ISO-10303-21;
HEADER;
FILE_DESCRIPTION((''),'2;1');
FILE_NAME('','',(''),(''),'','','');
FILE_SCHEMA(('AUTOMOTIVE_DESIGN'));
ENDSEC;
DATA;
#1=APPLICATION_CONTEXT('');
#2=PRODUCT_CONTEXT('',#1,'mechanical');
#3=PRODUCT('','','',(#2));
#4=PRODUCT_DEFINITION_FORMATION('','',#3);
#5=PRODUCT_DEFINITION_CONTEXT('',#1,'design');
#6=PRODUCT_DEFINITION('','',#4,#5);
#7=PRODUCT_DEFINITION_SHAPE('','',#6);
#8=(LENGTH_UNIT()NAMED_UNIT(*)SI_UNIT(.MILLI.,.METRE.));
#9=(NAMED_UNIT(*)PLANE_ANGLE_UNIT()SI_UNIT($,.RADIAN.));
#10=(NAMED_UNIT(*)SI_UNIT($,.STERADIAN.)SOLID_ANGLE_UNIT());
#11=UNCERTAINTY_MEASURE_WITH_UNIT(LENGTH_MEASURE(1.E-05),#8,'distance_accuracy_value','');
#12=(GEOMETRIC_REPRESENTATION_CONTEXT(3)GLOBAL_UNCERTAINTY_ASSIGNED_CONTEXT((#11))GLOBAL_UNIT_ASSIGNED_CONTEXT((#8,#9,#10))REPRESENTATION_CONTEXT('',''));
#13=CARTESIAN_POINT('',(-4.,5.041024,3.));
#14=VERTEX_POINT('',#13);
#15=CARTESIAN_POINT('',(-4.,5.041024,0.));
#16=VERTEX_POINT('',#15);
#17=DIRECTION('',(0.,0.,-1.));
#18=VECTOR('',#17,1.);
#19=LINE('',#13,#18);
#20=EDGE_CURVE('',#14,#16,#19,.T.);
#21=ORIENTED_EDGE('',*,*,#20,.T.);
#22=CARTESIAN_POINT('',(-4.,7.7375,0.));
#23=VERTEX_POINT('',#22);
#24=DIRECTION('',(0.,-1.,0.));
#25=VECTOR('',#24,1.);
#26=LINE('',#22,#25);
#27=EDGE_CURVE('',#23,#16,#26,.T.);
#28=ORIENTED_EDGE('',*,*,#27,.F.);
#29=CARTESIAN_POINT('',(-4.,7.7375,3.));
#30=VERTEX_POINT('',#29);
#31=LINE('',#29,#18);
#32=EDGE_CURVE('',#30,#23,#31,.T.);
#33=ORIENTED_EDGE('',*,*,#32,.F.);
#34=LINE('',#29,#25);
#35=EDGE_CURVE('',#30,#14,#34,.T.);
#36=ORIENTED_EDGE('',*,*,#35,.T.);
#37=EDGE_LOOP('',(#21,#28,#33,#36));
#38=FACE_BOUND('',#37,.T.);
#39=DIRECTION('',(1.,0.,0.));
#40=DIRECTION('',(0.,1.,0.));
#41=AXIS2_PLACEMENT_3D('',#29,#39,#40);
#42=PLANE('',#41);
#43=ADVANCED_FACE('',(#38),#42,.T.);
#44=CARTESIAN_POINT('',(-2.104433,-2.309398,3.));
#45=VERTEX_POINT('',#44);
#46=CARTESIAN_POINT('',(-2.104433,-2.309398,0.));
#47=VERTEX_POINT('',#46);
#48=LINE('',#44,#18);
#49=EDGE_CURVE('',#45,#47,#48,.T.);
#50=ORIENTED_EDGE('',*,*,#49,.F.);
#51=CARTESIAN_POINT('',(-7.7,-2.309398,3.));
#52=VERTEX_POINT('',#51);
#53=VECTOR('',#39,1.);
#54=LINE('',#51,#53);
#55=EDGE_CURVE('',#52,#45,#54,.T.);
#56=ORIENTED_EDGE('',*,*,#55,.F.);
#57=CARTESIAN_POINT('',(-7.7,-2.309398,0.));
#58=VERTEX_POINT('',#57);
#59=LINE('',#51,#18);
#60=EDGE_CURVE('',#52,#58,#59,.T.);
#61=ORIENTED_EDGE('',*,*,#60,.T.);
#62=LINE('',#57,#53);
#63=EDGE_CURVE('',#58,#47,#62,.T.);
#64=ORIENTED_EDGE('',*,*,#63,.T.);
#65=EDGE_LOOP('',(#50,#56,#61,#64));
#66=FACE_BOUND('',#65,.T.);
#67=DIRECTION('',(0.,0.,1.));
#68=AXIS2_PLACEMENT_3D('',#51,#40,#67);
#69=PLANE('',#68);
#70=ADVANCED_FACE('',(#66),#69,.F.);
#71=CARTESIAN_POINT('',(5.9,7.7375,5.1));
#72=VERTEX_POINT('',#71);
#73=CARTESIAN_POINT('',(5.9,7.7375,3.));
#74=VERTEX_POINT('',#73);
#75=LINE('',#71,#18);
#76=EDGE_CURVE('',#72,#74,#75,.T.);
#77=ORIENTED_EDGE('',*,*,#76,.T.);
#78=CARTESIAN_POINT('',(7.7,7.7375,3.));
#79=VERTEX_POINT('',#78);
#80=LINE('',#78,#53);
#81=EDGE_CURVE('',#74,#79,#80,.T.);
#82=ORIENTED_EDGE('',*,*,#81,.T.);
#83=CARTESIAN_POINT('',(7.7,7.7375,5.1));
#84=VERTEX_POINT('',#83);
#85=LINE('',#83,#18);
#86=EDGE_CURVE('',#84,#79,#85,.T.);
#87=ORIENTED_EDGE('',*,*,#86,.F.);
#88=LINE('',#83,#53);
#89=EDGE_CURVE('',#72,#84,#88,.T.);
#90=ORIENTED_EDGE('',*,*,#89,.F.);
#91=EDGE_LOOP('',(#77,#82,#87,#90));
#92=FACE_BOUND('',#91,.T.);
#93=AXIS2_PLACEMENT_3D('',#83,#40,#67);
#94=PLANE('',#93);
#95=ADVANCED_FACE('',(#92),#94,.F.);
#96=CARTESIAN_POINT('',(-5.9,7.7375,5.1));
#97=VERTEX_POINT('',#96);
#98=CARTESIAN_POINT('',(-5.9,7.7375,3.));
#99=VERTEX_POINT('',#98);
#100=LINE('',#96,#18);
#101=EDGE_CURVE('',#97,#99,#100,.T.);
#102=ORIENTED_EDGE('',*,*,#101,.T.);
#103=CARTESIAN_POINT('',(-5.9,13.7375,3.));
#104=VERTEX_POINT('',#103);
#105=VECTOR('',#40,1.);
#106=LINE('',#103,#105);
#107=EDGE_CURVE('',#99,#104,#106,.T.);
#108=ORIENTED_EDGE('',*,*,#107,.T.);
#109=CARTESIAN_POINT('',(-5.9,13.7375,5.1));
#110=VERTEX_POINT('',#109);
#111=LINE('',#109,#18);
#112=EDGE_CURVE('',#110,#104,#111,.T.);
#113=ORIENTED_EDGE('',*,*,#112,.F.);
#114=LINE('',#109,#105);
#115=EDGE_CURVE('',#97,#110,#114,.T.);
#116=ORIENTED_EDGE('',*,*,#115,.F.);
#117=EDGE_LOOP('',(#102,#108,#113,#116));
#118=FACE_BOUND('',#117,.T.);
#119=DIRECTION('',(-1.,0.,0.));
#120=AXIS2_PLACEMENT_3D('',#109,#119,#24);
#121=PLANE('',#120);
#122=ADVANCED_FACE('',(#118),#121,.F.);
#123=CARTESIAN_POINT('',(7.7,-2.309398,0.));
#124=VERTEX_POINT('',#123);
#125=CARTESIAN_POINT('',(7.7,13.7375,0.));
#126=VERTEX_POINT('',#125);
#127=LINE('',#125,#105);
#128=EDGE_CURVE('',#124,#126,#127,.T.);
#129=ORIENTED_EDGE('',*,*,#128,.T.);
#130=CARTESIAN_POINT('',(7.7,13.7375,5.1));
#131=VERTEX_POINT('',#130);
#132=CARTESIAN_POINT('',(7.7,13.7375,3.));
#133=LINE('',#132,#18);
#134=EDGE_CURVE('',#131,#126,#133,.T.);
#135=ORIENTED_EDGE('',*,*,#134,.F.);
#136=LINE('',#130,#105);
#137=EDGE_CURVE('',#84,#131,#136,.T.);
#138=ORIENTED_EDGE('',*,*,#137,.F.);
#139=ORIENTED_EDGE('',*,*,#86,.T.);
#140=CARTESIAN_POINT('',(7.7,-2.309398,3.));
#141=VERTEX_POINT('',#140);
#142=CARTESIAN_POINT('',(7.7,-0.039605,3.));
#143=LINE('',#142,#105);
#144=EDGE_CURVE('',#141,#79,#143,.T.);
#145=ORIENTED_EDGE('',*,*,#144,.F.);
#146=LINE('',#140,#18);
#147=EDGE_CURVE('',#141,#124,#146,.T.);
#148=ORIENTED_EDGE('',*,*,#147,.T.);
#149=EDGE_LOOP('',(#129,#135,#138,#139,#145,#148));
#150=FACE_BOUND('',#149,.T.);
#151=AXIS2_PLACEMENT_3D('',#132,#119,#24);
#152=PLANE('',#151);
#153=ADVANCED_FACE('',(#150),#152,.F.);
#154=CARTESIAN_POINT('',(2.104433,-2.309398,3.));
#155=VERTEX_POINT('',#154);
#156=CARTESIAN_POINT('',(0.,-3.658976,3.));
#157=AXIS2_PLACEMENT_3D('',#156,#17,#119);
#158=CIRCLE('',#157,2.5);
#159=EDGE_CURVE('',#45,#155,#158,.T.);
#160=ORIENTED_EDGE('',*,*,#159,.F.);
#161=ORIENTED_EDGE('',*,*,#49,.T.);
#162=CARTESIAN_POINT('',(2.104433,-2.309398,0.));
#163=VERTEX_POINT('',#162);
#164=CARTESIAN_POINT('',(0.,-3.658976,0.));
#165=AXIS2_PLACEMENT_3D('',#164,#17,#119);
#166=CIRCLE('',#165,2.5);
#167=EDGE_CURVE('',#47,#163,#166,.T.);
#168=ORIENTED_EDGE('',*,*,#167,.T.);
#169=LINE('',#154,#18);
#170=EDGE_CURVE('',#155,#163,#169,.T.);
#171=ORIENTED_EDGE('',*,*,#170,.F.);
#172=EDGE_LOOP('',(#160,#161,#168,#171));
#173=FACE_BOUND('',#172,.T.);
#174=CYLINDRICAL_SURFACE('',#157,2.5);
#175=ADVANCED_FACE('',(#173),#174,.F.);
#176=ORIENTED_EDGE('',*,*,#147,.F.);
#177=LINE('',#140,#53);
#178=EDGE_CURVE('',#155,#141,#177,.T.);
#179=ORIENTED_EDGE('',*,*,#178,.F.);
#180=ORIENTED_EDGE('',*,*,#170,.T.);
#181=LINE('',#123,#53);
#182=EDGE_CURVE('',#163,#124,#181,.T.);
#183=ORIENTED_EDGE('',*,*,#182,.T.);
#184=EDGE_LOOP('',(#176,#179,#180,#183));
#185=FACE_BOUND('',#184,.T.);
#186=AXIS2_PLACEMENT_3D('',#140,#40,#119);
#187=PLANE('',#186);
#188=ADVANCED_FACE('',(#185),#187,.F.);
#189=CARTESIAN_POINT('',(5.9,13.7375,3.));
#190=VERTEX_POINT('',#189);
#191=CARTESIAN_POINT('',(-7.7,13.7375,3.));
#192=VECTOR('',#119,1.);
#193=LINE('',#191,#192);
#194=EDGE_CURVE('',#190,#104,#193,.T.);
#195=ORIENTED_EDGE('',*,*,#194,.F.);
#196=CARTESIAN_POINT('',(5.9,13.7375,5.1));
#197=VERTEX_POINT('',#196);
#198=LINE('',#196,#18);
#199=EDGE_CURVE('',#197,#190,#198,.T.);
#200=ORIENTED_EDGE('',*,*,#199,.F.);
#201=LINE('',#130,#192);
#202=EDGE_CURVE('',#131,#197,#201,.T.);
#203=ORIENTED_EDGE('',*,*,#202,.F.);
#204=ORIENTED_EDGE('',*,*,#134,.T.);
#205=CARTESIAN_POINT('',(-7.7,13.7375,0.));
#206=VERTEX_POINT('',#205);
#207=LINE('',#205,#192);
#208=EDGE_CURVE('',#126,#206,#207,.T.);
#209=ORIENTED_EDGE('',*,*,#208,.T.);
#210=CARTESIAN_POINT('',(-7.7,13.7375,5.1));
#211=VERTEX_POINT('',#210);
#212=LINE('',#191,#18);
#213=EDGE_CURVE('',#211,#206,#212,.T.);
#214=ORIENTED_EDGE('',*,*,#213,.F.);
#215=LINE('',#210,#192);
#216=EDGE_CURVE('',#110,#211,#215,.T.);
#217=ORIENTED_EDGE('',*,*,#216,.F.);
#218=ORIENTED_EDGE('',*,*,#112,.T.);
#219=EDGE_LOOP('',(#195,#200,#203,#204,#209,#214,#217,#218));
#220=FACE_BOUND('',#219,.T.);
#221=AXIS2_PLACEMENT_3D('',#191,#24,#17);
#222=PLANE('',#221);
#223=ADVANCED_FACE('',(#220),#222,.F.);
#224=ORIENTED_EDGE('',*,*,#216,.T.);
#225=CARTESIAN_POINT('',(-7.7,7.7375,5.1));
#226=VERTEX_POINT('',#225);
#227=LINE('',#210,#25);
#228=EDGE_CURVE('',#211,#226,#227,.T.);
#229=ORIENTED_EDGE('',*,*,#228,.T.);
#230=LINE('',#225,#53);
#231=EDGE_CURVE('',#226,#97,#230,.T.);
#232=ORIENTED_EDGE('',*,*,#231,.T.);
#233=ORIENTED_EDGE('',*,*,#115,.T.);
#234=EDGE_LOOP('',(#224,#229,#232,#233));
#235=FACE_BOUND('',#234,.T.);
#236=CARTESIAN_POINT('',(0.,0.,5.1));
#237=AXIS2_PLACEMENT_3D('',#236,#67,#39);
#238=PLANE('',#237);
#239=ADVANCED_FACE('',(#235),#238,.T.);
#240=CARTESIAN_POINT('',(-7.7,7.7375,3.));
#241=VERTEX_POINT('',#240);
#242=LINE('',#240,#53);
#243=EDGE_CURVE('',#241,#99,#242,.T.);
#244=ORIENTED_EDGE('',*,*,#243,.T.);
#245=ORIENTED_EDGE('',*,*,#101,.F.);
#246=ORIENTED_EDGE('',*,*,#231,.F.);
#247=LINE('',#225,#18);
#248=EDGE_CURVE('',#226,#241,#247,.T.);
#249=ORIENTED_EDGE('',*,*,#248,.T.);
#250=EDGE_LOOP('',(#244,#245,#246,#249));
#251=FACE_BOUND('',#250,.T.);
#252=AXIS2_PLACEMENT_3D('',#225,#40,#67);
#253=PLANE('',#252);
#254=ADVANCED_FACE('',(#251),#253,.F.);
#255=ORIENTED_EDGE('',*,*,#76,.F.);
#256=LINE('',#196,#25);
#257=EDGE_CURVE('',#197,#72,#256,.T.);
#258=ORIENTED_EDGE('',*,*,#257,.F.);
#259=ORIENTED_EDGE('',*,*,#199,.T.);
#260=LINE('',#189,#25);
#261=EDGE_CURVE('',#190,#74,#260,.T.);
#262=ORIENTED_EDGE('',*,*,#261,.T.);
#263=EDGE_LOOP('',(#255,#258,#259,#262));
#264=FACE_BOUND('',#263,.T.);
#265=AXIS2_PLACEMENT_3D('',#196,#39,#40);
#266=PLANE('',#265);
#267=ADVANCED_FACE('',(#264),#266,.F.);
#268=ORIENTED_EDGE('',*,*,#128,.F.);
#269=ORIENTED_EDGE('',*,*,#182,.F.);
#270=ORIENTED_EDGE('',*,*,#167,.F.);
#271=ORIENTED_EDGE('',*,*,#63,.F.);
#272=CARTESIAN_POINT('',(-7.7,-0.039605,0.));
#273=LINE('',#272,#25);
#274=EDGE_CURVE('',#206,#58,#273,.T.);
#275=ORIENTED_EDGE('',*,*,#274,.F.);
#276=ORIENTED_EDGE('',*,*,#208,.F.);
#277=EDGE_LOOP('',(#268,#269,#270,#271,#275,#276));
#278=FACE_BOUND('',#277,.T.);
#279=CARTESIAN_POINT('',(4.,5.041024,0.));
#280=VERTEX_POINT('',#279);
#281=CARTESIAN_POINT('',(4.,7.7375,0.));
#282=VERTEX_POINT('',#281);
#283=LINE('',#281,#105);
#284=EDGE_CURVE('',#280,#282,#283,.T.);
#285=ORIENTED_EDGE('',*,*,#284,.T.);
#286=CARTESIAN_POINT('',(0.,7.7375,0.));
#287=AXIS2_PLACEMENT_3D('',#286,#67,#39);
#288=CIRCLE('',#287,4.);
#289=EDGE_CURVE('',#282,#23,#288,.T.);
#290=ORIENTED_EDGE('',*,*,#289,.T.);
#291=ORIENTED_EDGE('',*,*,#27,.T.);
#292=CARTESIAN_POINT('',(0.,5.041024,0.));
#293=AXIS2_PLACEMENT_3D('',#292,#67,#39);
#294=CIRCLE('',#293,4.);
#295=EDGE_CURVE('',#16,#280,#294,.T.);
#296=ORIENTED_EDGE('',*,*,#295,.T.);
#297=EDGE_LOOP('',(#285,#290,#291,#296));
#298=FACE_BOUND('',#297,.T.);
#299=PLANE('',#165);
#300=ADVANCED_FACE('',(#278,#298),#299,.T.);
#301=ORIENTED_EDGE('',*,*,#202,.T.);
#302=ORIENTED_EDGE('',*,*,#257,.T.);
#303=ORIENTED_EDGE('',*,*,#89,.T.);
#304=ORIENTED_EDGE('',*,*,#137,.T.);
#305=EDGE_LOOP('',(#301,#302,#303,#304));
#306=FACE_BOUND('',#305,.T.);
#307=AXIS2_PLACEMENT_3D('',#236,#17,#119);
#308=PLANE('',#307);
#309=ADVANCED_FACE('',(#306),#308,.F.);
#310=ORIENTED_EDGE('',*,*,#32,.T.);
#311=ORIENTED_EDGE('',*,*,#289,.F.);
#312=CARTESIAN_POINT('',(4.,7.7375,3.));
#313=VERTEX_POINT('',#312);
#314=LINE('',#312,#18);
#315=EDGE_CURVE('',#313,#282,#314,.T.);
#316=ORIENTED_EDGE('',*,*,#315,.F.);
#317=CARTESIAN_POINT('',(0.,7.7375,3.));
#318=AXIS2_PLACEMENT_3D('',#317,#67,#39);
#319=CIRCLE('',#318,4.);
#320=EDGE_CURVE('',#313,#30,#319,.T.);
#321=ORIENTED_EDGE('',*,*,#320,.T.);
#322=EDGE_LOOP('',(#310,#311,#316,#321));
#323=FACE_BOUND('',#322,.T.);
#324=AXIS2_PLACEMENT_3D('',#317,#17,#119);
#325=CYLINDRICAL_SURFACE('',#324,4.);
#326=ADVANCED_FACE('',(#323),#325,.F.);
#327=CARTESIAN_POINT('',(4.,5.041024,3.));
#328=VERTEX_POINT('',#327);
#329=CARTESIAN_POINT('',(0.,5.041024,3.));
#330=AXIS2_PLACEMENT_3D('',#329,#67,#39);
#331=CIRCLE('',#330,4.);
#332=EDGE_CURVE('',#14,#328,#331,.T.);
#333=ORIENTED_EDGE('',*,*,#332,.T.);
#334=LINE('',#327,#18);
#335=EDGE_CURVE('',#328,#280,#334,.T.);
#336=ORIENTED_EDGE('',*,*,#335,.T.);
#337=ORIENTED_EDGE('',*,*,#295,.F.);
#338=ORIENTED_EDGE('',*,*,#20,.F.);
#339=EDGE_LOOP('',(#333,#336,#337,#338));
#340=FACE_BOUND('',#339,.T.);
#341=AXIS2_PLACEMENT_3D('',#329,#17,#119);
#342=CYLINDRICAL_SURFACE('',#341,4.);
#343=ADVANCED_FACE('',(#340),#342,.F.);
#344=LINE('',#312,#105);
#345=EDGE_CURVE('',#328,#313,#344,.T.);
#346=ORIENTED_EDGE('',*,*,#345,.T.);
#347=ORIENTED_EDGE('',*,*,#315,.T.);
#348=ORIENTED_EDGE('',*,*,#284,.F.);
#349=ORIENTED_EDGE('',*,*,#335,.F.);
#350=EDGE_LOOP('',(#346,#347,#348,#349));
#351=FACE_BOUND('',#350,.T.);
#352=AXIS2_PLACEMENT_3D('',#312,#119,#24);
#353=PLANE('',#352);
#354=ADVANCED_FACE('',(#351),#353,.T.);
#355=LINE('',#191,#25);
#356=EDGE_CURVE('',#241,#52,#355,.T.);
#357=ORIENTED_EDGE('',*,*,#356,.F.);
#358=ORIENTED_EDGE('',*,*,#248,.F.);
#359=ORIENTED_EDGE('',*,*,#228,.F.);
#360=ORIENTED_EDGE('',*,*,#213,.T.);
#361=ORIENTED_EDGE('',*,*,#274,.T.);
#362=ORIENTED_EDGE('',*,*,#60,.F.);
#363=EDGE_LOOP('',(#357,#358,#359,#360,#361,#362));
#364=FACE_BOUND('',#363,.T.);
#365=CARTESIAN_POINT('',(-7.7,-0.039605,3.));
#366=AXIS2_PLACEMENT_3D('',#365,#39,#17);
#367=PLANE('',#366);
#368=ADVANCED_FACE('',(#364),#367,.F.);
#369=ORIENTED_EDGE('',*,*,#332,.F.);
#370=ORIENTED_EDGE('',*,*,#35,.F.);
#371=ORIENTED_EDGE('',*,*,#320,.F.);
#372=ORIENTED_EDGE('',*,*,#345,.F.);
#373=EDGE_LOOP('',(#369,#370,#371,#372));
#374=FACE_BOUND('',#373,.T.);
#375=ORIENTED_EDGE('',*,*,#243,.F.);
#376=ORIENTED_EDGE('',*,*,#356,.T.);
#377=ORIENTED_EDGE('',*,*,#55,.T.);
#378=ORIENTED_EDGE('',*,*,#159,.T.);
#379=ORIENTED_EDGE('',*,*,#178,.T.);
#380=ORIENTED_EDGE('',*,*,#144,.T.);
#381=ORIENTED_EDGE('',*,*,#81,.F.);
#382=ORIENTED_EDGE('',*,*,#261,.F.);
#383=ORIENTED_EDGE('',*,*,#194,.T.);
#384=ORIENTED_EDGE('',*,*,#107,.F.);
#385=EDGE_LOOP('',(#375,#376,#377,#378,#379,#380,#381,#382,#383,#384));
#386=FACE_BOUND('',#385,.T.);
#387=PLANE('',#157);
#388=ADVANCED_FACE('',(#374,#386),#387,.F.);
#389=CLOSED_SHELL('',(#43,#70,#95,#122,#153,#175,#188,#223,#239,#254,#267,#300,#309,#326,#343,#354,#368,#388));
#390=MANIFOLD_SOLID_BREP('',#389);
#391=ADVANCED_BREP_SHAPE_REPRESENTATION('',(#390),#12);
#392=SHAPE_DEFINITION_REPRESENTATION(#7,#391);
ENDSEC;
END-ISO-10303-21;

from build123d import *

# Parameters (mm, degrees)
EXTRUDE_1_DEPTH = 3
SKETCH_2_W      = 1.8
SKETCH_2_H      = 6
EXTRUDE_2_DEPTH = 2.1


with BuildPart() as part:
    # Эскиз1 → Бобышка-Вытянуть1 (new body)
    with BuildSketch(Plane.XY):
        with BuildLine():
            Line((-7.7, 13.737499607), (7.7, 13.737499607))
            Line((7.7, 13.737499607), (7.7, -0.039604792))
            Line((7.7, -0.039604792), (7.7, -2.309398114))
            Line((7.7, -2.309398114), (2.10443313, -2.309398114))
            ThreePointArc((2.10443313, -2.309398114), (0, -1.158976271), (-2.10443313, -2.309398114))
            Line((-2.10443313, -2.309398114), (-7.7, -2.309398114))
            Line((-7.7, -2.309398114), (-7.7, -0.039604792))
            Line((-7.7, -0.039604792), (-7.7, 13.737499607))
        make_face()
        with BuildLine():
            Line((4, 7.737499607), (4, 5.041023729))
            ThreePointArc((4, 5.041023729), (0, 1.041023729), (-4, 5.041023729))
            Line((-4, 5.041023729), (-4, 7.737499607))
            ThreePointArc((-4, 7.737499607), (0, 11.737499607), (4, 7.737499607))
        make_face(mode=Mode.SUBTRACT)
    extrude(amount=EXTRUDE_1_DEPTH)

    # Эскиз2 → Бобышка-Вытянуть2 (add)
    with BuildSketch(Plane.XY.offset(3)):
        with Locations((-6.8, 10.737499607)):
            Rectangle(SKETCH_2_W, SKETCH_2_H)
        with Locations((6.8, 10.737499607)):
            Rectangle(SKETCH_2_W, SKETCH_2_H)
    extrude(amount=EXTRUDE_2_DEPTH)


solid = part.part
